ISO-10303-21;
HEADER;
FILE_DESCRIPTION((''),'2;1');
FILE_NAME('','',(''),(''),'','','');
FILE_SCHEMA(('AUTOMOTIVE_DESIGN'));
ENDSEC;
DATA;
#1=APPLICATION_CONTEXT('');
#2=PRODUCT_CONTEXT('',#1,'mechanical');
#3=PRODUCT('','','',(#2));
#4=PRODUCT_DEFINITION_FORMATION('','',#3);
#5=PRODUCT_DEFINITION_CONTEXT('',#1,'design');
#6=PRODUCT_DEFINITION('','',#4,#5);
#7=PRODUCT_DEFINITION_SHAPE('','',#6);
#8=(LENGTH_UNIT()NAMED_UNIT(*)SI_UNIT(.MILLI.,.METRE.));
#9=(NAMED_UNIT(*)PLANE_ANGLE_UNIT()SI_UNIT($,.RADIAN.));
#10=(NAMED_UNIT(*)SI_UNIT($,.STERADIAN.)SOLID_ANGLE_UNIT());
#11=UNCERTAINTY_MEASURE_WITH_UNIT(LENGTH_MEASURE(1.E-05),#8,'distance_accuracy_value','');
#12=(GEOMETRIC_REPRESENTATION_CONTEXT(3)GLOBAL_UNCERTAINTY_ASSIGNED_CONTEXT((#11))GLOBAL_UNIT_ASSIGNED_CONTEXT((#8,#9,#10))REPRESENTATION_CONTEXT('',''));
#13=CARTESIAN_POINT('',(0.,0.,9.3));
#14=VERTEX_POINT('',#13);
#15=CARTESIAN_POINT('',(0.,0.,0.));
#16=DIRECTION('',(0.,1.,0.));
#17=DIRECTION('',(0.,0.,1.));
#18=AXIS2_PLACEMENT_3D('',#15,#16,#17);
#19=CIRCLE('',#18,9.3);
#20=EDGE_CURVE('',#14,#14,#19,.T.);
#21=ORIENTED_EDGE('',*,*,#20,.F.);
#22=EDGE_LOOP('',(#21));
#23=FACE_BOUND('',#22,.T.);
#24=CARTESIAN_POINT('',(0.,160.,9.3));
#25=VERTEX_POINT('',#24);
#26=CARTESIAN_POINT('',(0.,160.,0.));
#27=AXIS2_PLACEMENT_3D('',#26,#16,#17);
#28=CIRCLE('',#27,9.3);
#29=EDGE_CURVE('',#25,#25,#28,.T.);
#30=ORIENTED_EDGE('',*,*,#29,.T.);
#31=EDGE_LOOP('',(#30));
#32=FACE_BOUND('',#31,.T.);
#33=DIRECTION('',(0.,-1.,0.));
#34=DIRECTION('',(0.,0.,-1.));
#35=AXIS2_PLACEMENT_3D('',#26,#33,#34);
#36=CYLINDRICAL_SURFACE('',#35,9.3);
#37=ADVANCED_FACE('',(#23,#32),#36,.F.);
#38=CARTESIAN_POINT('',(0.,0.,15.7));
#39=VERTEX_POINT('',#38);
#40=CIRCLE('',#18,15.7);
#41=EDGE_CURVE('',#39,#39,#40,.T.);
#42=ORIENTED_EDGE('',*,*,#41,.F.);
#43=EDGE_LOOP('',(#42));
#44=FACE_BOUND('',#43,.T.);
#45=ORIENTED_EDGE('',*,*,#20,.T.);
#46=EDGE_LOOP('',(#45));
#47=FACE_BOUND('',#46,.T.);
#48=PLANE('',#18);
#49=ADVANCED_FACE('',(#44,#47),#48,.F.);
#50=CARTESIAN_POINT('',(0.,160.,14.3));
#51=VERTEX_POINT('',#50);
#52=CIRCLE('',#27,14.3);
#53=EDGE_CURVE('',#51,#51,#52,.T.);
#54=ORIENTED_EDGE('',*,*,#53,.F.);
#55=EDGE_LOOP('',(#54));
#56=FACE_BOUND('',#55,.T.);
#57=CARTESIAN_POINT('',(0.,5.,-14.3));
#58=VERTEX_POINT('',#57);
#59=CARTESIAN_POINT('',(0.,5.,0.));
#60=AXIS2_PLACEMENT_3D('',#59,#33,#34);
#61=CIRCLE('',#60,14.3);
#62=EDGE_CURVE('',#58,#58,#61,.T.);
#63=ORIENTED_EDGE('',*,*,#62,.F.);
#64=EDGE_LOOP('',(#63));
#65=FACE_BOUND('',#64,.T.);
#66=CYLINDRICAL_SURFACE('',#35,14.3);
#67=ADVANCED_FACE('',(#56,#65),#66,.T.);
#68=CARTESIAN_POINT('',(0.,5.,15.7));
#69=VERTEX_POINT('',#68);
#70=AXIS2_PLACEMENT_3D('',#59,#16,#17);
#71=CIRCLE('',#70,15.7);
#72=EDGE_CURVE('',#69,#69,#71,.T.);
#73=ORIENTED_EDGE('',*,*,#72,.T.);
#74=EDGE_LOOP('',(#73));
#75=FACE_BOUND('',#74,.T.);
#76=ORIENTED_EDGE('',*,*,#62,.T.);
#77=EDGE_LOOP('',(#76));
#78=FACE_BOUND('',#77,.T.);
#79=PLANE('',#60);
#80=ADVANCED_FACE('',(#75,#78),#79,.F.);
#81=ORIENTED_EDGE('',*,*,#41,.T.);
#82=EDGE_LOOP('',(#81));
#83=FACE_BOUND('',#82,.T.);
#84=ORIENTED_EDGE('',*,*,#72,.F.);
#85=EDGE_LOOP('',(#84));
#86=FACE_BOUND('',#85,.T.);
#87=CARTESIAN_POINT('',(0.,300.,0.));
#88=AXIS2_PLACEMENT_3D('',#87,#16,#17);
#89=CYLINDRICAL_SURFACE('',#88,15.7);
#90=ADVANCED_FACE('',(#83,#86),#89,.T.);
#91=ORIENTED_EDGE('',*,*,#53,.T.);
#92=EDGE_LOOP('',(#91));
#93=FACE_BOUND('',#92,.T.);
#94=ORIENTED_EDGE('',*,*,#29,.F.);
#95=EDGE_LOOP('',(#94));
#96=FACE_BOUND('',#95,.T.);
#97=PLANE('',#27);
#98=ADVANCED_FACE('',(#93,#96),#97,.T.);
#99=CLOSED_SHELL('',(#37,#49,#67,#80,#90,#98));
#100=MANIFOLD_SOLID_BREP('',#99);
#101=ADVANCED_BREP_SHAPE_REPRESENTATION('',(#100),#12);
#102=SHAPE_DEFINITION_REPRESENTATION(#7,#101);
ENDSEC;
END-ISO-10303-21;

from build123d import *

# Parameters (mm, degrees)
SKETCH1_R           = 14.3
SKETCH1_R_2         = 9.3
BOSS_EXTRUDE1_DEPTH = 160
SKETCH2_W           = 1.4
SKETCH2_H           = 5


with BuildPart() as part:
    # Sketch1 → Boss-Extrude1 (new body)
    with BuildSketch(Plane(origin=(0, 0, 0), x_dir=(1, 0, 0), z_dir=(0, 1, 0))):
        Circle(SKETCH1_R)
        Circle(SKETCH1_R_2, mode=Mode.SUBTRACT)
    extrude(amount=BOSS_EXTRUDE1_DEPTH)

    # Sketch2 → Revolve3 (revolve)
    with BuildSketch(Plane.XY):
        with Locations((-15, 2.5)):
            Rectangle(SKETCH2_W, SKETCH2_H)
    revolve(axis=Axis((0, 300, 0), (0, -1, 0)))


solid = part.part
